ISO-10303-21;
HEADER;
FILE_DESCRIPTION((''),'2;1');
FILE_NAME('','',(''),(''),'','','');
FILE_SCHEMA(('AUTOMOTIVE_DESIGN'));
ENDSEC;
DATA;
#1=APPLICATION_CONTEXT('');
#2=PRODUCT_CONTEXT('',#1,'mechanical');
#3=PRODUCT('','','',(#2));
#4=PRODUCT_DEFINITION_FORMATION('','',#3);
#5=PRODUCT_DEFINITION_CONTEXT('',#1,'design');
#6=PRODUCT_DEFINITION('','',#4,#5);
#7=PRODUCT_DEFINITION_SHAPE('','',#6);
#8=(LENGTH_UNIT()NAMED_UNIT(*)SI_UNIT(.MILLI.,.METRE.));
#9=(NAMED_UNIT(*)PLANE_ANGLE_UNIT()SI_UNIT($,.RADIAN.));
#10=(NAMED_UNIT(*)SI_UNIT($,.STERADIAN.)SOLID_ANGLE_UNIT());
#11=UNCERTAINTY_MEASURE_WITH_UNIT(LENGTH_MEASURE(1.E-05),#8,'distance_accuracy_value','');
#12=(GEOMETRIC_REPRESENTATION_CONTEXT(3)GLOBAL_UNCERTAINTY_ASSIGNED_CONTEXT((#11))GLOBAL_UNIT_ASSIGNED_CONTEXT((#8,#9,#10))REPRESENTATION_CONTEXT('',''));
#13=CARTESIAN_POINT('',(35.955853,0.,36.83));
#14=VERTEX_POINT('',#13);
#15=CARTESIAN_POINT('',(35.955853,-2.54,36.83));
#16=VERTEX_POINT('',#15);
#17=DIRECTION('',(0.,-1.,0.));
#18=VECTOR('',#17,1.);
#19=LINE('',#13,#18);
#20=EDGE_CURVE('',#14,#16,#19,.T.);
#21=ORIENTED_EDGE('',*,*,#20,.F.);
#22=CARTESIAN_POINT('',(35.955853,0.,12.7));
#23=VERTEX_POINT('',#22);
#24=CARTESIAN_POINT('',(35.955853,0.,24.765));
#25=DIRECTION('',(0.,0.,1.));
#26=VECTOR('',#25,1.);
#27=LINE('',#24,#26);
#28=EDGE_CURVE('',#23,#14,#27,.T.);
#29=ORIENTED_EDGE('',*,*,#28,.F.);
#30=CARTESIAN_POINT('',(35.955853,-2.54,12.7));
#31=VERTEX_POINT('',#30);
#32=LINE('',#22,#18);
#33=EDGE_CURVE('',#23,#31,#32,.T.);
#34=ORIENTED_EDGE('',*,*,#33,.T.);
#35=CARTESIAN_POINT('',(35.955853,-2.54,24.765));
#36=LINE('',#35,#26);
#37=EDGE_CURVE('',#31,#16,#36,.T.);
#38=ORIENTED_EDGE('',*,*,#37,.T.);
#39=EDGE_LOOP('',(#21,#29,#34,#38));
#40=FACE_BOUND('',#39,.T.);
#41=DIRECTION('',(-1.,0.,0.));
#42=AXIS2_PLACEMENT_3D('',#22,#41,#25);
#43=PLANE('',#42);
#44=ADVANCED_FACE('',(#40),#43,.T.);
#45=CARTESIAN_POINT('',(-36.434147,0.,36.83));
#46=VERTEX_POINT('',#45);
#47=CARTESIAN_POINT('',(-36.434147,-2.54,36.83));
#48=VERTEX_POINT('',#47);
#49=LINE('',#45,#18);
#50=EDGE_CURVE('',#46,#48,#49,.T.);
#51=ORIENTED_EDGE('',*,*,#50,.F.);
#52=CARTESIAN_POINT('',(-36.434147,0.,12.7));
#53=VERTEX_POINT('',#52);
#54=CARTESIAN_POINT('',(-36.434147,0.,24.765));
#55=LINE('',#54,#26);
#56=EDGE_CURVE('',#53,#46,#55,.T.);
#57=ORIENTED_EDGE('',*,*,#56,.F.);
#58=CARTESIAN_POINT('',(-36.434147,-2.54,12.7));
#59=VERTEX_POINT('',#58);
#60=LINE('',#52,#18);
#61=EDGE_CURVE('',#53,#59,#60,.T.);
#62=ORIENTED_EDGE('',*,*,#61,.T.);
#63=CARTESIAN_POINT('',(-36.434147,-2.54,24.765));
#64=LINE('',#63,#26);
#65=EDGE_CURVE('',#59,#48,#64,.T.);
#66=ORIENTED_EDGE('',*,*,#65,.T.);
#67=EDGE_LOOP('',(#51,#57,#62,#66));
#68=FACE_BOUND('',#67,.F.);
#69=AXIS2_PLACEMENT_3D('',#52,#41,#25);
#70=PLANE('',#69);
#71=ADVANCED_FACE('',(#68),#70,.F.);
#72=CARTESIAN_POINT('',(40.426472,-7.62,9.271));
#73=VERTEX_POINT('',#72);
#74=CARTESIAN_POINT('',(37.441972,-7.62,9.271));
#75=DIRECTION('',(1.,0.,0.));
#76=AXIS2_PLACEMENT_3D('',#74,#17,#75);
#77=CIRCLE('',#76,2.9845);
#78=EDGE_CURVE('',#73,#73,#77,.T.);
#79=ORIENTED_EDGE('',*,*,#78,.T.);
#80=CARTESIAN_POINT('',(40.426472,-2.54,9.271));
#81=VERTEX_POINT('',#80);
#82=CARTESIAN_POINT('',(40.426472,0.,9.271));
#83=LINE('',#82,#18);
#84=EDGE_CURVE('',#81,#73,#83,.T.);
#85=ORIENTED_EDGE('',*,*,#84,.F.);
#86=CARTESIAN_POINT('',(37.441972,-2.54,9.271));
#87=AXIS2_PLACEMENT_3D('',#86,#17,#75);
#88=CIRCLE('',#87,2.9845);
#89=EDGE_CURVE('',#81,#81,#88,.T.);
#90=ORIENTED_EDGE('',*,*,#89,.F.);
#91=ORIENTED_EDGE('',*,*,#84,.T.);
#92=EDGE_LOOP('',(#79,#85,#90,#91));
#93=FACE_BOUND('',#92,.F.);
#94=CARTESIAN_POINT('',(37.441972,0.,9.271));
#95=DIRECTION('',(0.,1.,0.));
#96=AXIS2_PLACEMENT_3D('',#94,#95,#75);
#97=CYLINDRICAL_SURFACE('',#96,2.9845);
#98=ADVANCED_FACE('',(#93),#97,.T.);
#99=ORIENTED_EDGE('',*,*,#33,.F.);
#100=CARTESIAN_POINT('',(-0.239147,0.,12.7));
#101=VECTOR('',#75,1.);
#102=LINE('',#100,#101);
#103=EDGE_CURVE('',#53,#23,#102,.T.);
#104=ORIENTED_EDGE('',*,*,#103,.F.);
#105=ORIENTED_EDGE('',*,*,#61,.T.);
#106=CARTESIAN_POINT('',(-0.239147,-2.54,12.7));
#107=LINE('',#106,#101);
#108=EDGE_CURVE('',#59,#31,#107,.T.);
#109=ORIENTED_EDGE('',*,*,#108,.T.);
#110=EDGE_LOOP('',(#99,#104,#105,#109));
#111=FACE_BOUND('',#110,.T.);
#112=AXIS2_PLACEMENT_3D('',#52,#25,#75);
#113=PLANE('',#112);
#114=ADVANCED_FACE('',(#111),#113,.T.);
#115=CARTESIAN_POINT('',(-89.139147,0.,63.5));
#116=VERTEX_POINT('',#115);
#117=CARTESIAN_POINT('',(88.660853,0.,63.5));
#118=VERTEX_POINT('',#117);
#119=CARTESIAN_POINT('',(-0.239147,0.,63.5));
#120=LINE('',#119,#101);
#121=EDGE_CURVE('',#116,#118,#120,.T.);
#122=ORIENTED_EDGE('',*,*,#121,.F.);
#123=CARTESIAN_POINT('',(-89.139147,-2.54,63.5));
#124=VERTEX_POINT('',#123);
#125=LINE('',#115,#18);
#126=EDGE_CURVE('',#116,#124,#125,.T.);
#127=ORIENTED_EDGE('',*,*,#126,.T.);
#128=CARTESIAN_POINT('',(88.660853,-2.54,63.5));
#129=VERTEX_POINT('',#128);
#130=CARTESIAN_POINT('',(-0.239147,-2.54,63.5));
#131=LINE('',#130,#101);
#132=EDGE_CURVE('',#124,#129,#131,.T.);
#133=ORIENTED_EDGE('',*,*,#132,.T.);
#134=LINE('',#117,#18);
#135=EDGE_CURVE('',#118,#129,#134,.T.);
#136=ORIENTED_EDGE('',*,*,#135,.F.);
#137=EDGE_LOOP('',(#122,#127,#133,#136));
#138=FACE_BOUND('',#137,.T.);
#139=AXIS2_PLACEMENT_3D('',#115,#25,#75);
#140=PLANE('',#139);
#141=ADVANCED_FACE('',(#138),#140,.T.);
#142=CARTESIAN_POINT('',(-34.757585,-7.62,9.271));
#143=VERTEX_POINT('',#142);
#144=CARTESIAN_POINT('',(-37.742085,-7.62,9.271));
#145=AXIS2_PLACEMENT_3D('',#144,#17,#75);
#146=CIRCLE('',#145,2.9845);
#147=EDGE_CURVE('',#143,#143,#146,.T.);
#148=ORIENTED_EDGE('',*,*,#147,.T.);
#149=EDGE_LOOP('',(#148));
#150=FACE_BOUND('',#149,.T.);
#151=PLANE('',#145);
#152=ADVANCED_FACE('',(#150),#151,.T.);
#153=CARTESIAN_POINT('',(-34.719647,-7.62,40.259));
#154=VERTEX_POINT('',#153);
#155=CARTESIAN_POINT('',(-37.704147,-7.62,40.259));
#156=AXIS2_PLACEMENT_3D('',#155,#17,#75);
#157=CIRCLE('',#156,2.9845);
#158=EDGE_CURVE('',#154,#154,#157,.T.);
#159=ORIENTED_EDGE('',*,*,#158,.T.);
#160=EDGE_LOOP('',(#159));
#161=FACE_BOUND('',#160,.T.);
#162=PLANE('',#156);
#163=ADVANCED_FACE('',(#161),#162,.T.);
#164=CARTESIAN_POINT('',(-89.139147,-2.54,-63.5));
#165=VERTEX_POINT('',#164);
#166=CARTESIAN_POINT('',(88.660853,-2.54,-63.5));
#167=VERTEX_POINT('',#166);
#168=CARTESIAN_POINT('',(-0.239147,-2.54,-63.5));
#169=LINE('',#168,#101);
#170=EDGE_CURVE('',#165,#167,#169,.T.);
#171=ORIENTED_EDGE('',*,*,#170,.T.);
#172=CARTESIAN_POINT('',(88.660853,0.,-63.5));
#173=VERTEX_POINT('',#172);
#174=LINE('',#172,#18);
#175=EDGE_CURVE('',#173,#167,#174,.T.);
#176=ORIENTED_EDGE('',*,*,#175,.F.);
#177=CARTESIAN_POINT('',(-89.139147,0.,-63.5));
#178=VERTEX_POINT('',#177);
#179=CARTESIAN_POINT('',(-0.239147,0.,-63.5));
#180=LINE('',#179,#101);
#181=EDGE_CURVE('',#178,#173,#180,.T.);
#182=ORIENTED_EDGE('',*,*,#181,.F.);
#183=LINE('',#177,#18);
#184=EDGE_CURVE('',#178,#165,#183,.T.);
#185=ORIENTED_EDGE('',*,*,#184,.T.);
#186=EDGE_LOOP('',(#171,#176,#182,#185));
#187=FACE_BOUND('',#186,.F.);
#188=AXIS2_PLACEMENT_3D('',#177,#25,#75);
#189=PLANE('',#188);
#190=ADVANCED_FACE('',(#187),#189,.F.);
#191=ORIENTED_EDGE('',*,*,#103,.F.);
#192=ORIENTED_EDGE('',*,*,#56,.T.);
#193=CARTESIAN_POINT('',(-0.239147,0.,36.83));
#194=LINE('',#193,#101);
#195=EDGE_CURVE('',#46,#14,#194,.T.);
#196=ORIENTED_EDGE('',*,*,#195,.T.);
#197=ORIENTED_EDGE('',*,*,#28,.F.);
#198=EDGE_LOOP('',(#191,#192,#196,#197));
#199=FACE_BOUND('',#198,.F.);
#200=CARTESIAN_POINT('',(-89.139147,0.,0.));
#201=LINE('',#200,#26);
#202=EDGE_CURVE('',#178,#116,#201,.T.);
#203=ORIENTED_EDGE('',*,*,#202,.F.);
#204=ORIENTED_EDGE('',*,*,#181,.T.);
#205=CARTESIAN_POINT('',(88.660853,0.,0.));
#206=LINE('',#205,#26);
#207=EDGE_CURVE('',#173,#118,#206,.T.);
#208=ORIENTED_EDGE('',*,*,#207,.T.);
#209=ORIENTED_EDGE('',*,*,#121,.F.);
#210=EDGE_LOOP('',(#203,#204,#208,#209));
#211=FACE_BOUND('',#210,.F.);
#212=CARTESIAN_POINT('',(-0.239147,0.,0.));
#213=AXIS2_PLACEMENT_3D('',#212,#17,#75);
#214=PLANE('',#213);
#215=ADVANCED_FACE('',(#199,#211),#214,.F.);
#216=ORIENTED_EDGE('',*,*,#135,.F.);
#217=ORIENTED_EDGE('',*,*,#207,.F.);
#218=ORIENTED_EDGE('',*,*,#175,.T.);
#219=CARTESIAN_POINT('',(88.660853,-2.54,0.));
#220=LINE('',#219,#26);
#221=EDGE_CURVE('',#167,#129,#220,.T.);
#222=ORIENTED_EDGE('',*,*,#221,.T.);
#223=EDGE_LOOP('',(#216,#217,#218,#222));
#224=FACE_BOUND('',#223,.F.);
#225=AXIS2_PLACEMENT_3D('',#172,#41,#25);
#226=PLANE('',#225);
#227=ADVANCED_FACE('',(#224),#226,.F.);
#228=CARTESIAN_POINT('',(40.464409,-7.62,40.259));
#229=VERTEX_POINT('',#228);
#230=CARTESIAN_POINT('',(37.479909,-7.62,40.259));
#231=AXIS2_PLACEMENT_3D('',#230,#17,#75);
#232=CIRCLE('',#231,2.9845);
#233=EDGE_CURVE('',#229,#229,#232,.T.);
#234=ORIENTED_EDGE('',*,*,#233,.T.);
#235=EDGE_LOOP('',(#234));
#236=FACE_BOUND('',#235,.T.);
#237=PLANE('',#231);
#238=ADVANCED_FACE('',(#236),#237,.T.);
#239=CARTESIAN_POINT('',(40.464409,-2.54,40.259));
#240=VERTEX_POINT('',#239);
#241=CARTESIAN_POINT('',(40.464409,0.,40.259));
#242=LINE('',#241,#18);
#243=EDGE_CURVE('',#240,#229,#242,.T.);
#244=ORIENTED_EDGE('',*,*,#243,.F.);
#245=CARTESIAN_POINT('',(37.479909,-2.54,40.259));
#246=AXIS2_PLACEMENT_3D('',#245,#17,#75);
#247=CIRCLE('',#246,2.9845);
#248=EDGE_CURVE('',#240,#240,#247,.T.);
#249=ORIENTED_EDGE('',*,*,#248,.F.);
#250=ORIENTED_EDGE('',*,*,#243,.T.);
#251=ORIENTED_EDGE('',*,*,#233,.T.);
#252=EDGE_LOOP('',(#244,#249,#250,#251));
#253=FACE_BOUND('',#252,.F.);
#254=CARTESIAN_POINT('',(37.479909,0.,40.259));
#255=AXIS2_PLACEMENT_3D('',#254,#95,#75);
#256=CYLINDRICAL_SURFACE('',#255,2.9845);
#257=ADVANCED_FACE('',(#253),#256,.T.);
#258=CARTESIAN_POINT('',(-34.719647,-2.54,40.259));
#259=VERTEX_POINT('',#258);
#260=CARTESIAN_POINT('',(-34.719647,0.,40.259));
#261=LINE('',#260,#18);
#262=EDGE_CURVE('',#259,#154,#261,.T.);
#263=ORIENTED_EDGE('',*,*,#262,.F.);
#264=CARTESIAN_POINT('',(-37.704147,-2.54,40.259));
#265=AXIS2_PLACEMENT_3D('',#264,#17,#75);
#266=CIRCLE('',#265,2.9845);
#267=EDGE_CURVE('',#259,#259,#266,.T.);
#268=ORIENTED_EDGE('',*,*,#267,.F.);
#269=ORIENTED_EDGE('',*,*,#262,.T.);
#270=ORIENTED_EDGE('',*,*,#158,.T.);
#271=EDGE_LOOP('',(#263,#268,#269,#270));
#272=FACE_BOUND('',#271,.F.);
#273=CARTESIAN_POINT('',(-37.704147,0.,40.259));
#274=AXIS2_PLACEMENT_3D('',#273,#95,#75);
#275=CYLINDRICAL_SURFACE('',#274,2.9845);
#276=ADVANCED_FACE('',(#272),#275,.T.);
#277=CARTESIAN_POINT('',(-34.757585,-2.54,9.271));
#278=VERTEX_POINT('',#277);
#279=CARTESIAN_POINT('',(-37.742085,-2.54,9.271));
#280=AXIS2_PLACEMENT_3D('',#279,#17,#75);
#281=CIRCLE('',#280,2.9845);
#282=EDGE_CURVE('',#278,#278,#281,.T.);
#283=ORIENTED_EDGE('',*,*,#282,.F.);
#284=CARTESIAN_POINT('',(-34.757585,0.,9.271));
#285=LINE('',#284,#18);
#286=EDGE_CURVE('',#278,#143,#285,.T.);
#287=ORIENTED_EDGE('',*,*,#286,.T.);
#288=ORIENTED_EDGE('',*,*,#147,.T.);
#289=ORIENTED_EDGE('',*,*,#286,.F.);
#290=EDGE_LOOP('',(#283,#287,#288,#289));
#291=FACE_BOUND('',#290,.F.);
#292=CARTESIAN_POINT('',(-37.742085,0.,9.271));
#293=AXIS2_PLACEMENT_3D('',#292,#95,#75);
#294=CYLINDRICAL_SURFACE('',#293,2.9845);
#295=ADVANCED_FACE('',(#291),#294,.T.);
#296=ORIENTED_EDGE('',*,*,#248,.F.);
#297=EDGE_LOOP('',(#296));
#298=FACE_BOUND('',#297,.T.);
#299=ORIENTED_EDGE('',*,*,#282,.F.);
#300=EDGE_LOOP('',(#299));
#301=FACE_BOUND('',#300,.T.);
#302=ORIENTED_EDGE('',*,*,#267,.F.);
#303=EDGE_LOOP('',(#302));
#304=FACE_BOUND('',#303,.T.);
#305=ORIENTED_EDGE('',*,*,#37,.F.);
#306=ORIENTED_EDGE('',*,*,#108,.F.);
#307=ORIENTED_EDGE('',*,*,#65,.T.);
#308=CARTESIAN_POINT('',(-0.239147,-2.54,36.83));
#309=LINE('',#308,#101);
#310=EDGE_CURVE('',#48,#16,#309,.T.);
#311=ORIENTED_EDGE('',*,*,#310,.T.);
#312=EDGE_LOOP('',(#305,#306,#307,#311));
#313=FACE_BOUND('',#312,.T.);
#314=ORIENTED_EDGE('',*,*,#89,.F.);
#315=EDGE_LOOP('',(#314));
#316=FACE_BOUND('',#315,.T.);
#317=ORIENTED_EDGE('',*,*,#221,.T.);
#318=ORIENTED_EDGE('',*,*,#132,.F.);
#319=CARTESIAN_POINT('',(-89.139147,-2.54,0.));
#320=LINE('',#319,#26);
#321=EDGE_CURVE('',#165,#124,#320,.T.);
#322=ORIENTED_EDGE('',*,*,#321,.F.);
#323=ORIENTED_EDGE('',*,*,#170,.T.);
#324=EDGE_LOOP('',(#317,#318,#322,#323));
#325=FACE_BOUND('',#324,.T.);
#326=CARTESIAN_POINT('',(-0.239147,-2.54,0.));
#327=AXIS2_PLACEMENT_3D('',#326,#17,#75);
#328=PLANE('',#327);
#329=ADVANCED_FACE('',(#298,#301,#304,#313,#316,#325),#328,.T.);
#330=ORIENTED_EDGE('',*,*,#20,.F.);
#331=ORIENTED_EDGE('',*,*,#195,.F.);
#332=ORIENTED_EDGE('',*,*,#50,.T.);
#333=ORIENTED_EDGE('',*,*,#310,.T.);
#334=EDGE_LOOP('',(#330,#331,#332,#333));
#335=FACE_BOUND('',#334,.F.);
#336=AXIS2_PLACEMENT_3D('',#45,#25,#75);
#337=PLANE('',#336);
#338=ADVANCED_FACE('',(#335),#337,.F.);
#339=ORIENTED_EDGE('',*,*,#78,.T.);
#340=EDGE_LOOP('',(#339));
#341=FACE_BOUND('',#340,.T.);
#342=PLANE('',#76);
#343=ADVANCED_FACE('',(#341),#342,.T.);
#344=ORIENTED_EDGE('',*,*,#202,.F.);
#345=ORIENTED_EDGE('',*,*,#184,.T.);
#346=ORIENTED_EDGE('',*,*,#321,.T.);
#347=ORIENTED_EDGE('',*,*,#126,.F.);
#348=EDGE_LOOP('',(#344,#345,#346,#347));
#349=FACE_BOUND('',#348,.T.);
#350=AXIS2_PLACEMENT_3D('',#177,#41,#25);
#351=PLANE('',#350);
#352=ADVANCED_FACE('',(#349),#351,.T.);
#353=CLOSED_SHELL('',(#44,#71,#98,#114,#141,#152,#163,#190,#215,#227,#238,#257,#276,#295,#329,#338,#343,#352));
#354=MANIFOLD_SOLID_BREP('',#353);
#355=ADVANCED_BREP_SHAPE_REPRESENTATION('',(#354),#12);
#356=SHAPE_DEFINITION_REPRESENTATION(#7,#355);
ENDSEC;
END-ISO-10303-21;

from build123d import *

# Parameters (mm, degrees)
F0_W     = 177.8
F0_H     = 127
F0_R     = 2.9845
F0_W_2   = 72.39
F0_H_2   = 24.13
F1_DEPTH = 2.54
F2_DEPTH = 7.62


with BuildPart() as f1:
    # F0 (on Front) → F1 (new body)
    with BuildSketch(Plane.XZ):
        with Locations((-0.239147, 0)):
            Rectangle(F0_W, F0_H)
        with Locations((-37.742085, 9.271)):
            Circle(F0_R, mode=Mode.SUBTRACT)
        with Locations((-37.704147, 40.259)):
            Circle(F0_R, mode=Mode.SUBTRACT)
        with Locations((37.441972, 9.271)):
            Circle(F0_R, mode=Mode.SUBTRACT)
        with Locations((-0.239147, 24.765)):
            Rectangle(F0_W_2, F0_H_2, mode=Mode.SUBTRACT)
        with Locations((37.479909, 40.259)):
            Circle(F0_R, mode=Mode.SUBTRACT)
    extrude(amount=F1_DEPTH)

    # F0 (on Front) → F2 (join)
    with BuildSketch(Plane.XZ):
        with Locations((-37.704147, 40.259)):
            Circle(F0_R)
        with Locations((37.479909, 40.259)):
            Circle(F0_R)
        with Locations((37.441972, 9.271)):
            Circle(F0_R)
        with Locations((-37.742085, 9.271)):
            Circle(F0_R)
    extrude(amount=F2_DEPTH)


solid = f1.part
